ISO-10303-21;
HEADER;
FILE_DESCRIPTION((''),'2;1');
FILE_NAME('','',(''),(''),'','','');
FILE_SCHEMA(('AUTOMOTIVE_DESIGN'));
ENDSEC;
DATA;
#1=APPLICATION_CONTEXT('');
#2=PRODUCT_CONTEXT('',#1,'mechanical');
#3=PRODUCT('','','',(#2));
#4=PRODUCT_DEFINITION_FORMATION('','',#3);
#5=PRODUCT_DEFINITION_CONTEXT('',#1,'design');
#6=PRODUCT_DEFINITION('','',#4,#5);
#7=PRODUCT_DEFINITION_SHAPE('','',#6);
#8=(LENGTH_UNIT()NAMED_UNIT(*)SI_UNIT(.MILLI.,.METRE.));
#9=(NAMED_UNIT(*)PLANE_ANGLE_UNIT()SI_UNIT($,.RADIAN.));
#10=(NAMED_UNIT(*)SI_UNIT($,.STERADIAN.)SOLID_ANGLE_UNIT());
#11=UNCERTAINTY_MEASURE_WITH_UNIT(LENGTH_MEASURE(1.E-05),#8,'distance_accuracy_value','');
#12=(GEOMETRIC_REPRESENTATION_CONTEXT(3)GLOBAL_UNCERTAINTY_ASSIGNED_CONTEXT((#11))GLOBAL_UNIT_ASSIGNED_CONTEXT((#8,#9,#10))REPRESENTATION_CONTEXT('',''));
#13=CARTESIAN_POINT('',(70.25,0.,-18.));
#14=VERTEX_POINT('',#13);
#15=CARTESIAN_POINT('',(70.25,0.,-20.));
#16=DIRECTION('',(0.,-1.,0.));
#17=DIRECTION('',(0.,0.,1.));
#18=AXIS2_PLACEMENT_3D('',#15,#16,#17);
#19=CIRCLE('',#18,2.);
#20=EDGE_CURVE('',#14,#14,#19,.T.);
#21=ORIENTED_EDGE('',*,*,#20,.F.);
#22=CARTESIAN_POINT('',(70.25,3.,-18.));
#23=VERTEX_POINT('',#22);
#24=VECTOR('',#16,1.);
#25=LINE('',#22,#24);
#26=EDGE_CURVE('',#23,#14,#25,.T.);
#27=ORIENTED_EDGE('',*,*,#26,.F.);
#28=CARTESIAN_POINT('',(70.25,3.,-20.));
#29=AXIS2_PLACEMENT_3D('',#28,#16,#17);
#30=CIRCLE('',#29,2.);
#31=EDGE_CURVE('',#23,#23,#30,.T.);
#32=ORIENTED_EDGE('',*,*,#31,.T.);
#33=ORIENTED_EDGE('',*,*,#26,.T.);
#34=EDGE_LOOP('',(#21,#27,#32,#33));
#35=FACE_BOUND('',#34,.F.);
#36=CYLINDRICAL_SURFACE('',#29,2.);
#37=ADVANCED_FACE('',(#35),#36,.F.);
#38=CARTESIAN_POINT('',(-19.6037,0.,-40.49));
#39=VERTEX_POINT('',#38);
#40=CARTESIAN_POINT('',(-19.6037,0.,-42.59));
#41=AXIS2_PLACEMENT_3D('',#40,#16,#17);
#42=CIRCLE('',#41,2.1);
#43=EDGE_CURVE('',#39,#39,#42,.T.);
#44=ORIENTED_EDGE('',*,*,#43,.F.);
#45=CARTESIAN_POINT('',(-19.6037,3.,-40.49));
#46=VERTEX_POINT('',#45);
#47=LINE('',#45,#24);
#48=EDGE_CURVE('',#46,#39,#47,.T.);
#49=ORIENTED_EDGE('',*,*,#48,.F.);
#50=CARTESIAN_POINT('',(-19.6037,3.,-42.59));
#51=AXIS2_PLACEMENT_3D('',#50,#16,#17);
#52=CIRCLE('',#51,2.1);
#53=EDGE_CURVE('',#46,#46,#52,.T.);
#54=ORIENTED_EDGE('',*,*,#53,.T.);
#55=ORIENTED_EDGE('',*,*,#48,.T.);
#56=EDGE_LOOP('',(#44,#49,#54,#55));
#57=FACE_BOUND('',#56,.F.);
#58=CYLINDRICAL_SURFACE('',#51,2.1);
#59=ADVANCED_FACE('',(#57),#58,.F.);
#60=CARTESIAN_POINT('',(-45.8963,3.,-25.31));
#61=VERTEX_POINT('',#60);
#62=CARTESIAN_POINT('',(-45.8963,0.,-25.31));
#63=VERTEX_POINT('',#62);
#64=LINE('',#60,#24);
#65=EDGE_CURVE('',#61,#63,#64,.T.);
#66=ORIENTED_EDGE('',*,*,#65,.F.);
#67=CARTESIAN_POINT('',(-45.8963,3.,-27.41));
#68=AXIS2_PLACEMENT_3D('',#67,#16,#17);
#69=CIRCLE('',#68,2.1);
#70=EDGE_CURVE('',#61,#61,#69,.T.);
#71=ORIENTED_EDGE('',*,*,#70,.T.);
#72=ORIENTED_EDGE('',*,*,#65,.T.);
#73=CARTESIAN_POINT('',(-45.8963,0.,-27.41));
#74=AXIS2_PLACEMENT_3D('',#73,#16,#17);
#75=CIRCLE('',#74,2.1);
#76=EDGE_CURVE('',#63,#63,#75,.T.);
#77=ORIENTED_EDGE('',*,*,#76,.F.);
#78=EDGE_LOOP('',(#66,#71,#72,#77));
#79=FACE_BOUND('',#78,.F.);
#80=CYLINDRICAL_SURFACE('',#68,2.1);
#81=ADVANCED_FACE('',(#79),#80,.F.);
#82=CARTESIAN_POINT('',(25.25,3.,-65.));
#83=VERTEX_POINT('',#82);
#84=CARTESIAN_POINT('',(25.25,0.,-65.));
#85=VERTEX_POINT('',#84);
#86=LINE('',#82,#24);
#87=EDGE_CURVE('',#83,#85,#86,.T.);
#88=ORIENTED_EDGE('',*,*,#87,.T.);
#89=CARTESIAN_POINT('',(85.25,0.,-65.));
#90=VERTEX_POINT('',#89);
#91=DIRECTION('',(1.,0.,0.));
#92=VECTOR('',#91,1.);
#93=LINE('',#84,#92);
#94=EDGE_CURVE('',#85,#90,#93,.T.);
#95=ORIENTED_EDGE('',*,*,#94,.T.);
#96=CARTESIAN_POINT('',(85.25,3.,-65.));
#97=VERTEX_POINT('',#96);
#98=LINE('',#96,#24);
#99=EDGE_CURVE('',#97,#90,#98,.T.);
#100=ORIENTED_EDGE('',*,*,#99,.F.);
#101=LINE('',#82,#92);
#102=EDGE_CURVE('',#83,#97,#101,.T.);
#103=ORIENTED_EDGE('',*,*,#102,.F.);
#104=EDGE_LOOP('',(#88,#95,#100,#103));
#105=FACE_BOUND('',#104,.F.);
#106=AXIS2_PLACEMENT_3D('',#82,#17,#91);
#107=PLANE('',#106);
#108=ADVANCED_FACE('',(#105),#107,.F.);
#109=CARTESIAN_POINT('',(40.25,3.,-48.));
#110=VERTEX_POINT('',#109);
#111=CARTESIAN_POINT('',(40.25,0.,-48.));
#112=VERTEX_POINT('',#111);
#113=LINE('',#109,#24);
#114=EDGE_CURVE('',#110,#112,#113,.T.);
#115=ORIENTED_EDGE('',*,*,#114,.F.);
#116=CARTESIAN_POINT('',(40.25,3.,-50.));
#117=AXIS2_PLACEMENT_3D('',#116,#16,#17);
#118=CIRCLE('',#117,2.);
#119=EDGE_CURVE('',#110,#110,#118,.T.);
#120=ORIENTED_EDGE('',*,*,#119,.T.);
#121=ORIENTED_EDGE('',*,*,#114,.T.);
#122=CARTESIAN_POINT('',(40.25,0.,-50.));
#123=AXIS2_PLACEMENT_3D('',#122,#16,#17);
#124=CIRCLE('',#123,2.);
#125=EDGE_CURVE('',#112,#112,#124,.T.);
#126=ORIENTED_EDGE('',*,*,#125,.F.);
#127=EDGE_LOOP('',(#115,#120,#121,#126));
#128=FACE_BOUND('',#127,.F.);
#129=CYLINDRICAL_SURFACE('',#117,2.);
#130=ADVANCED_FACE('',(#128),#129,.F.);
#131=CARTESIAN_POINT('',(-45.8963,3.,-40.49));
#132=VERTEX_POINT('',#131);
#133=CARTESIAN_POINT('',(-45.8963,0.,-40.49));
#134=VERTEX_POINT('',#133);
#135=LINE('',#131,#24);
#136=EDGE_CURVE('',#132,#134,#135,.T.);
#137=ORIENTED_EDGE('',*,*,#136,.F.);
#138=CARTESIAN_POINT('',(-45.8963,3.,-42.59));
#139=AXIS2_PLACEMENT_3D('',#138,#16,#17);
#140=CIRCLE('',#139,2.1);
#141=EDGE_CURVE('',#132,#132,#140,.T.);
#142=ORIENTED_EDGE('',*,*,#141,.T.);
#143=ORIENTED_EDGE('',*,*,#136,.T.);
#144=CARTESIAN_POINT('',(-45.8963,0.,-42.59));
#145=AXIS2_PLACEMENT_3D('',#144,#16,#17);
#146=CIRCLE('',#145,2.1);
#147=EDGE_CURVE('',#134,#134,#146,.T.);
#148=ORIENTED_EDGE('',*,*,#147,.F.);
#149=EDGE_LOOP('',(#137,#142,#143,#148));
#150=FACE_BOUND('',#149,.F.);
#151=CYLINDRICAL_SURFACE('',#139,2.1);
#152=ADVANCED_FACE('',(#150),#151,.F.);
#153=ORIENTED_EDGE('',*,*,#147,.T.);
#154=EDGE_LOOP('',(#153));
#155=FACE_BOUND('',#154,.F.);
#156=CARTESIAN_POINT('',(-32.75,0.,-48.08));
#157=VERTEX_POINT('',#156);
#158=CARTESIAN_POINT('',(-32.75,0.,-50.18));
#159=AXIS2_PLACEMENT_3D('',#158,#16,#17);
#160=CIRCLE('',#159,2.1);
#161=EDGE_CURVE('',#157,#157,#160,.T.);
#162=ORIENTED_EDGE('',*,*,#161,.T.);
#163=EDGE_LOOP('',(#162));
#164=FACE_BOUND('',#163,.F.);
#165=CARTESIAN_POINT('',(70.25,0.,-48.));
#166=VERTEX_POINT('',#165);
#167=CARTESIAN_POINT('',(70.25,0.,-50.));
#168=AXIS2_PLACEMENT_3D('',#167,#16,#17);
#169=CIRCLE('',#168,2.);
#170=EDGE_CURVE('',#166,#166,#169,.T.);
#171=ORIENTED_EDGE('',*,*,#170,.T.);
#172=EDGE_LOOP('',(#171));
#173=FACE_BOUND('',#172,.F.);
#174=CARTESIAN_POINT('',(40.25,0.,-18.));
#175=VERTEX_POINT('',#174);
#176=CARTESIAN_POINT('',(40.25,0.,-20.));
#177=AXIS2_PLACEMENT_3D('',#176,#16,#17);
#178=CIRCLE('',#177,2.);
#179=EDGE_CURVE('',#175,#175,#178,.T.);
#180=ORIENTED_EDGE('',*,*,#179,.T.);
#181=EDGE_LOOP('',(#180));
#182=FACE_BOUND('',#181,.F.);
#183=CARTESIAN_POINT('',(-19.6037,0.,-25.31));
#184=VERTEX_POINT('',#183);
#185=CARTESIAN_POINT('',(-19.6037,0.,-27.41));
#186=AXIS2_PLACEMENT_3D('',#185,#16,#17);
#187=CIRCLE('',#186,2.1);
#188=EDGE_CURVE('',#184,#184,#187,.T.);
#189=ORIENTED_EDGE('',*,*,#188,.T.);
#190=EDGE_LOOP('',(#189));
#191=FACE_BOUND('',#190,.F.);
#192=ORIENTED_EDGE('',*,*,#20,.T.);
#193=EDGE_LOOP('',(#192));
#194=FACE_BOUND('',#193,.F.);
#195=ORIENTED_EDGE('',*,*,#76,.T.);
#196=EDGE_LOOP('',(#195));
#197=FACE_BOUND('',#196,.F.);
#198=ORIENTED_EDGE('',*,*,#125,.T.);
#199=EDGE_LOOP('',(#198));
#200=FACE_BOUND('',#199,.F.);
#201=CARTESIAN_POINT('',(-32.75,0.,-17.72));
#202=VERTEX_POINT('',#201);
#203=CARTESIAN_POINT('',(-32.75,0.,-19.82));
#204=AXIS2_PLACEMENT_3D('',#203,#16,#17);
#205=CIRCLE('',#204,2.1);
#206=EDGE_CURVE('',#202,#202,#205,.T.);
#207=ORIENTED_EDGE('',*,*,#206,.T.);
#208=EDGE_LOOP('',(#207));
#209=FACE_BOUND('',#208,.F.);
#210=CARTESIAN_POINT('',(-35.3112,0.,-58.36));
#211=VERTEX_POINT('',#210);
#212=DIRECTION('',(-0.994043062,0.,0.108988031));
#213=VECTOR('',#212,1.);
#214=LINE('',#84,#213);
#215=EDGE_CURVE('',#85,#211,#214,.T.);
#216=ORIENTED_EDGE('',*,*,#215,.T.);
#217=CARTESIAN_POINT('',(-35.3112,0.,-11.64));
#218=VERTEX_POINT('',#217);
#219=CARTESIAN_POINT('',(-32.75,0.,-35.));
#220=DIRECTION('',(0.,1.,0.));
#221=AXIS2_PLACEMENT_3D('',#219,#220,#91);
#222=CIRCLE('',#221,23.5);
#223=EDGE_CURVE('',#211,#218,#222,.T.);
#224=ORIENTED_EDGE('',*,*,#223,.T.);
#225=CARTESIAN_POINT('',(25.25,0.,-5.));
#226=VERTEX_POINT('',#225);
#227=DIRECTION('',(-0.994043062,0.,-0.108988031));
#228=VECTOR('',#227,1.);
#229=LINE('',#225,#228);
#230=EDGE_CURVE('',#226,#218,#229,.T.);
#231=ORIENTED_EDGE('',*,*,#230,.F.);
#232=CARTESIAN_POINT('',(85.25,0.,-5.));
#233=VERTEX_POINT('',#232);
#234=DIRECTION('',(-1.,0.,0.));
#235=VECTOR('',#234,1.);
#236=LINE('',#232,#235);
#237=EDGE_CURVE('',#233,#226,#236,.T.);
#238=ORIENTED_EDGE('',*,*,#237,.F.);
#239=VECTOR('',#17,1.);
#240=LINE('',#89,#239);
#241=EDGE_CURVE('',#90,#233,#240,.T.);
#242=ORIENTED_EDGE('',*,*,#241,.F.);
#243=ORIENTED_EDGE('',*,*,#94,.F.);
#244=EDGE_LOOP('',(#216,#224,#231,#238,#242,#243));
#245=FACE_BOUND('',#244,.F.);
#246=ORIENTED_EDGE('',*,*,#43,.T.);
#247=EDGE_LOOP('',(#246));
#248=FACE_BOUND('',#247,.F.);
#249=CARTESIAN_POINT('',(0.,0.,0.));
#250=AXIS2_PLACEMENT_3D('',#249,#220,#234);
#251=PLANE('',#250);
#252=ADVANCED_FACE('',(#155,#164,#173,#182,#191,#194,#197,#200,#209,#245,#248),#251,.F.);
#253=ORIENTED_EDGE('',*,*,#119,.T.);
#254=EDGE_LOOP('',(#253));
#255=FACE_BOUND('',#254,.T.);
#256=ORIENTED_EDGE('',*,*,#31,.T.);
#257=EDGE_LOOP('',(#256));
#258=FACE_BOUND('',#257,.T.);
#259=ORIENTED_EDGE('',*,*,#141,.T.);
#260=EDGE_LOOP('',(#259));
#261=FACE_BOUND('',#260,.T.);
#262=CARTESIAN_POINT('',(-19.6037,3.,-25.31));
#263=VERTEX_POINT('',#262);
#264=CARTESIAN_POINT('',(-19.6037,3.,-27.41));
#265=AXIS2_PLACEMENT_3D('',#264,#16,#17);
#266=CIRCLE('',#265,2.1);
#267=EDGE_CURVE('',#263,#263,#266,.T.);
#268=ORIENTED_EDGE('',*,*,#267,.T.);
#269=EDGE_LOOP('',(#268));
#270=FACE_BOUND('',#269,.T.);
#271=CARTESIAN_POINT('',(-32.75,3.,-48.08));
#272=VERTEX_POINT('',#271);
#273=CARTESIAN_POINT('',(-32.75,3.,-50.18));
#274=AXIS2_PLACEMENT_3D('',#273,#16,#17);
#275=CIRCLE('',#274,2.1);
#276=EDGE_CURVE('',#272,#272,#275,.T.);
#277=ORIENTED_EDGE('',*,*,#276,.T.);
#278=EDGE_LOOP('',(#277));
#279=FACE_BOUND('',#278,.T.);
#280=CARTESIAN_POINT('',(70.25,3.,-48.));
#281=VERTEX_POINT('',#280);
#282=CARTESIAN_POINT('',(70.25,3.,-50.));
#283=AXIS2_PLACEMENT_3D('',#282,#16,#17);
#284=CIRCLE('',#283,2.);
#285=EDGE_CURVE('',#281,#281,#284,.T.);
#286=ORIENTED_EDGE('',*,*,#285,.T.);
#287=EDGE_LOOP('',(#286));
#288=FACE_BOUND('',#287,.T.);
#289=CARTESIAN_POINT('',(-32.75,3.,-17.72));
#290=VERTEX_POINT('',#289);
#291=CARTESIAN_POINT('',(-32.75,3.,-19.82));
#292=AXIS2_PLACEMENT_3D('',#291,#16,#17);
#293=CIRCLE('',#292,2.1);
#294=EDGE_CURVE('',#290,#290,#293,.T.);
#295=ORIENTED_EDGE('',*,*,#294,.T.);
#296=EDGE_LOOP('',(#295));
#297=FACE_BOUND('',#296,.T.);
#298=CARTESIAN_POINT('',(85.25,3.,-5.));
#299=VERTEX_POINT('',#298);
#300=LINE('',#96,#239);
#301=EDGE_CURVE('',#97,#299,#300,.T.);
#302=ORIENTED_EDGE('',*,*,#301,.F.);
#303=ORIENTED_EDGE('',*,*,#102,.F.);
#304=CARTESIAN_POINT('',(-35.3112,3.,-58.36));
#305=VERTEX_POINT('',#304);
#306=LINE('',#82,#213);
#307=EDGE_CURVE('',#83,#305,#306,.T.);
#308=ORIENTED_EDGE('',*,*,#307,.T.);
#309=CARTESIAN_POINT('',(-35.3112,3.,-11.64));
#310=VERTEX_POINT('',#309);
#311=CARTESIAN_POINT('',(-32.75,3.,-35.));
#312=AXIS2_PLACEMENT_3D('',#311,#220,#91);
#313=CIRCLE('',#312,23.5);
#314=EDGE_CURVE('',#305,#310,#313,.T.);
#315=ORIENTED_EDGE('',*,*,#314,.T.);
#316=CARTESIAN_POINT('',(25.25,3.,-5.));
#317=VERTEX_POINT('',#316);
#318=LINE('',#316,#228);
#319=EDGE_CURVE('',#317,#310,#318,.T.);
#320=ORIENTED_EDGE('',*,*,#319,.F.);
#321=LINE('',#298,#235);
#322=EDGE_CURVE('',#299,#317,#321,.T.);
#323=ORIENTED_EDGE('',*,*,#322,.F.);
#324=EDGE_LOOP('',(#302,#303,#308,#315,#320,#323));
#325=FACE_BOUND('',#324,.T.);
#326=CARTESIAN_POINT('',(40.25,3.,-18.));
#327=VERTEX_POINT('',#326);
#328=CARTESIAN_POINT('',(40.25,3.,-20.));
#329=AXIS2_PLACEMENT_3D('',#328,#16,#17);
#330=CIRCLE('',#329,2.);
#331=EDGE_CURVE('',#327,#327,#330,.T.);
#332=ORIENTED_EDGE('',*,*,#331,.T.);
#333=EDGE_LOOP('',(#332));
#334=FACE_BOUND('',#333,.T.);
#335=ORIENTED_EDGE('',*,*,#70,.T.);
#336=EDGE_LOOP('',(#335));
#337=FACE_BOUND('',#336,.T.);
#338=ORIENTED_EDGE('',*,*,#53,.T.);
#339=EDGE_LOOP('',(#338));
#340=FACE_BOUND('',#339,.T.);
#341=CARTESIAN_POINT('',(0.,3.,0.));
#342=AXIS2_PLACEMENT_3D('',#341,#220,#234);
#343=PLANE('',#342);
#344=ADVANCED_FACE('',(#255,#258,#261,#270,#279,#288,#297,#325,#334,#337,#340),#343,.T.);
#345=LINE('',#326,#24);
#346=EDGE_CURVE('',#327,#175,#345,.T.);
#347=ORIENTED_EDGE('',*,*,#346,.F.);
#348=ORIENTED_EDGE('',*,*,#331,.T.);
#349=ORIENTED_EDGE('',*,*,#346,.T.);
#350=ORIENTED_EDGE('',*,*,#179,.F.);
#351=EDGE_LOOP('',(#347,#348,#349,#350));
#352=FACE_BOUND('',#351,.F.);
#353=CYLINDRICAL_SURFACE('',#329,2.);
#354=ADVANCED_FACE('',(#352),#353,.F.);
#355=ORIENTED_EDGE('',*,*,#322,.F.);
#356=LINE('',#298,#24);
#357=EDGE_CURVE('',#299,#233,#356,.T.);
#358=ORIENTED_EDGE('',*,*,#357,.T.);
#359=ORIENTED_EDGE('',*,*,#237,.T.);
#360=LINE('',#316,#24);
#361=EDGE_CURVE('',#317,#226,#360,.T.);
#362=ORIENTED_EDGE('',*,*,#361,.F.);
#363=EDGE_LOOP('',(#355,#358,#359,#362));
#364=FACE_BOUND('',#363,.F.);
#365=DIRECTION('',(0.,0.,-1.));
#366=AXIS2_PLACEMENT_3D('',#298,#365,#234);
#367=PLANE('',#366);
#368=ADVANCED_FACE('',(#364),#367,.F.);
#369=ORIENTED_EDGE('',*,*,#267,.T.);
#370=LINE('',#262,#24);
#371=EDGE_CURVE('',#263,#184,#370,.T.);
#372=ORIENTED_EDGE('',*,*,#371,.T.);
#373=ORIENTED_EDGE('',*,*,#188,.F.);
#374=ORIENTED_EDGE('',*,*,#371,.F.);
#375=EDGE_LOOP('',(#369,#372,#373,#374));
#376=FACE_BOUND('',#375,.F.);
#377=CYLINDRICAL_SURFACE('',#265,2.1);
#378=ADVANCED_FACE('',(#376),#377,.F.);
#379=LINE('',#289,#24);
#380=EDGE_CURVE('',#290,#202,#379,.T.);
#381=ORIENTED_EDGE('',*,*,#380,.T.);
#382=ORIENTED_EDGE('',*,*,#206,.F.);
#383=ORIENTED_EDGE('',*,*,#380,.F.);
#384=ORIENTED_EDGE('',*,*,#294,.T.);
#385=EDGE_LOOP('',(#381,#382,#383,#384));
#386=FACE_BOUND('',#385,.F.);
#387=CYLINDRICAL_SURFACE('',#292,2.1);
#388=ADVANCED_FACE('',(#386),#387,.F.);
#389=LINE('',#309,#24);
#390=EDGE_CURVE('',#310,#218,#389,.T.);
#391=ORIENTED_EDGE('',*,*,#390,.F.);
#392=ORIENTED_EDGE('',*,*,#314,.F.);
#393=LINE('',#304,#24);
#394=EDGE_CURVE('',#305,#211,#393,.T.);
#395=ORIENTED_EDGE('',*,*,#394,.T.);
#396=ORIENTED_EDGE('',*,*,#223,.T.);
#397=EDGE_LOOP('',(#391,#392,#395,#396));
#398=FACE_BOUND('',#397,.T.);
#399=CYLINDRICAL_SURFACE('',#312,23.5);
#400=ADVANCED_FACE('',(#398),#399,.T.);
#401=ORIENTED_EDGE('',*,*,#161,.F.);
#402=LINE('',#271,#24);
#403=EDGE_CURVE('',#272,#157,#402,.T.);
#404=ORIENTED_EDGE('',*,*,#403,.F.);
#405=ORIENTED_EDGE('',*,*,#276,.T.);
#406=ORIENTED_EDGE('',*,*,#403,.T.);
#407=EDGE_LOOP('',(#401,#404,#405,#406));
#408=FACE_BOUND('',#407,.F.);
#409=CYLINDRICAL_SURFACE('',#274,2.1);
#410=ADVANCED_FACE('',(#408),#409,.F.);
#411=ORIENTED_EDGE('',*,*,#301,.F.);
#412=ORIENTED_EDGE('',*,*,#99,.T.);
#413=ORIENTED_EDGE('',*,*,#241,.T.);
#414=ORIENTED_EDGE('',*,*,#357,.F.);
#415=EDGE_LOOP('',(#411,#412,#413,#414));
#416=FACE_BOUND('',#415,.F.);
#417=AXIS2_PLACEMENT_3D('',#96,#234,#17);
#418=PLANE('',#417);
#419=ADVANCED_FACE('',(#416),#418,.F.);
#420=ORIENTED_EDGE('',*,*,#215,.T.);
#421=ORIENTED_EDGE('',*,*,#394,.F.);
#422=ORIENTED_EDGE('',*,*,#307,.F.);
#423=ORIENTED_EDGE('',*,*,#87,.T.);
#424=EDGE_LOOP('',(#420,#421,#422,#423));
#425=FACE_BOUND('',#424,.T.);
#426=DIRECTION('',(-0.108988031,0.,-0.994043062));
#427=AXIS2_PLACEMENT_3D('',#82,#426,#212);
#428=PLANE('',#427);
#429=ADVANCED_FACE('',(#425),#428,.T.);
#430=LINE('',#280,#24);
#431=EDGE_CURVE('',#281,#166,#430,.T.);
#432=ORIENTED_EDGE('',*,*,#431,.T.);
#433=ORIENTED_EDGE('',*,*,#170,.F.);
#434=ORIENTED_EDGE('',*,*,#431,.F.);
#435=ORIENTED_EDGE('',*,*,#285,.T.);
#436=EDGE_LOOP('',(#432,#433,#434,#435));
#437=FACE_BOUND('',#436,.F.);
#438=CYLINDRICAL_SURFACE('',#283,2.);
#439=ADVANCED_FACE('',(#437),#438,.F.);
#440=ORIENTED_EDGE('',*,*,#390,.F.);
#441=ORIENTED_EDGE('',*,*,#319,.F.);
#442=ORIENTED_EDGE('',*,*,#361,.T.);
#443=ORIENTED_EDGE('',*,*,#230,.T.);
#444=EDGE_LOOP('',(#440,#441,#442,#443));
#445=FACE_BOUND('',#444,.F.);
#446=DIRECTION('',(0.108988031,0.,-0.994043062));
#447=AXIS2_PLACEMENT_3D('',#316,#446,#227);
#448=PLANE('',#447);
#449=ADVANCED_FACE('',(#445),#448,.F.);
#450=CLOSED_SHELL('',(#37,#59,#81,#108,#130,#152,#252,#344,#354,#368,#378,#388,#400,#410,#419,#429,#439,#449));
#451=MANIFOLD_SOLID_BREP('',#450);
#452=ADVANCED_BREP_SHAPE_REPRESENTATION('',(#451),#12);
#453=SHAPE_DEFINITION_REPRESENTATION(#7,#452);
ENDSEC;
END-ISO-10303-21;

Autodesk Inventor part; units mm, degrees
ref_plane "YZ Plane" through (0, 0, 0) normal (1, 0, 0) x (0, 1, 0)
ref_plane "XZ Plane" through (0, 0, 0) normal (0, 1, 0) x (-1, 0, 0)
ref_plane "XY Plane" through (0, 0, 0) normal (0, 0, 1) x (1, 0, 0)
sketch "スケッチ1" plane through (0, 0, 0) normal (0, 1, 0) x (-1, 0, 0)
  line L0 (0, 0) -> (65.5, 0)
  line L1 (65.5, 0) -> (65.5, -70)
  line L2 (65.5, -70) -> (0, -70)
  line L3 (0, -70) -> (0, 0)
  dimension "d0" = 65.5
  dimension "d1" = 70
extrude "押し出し1" add sketch "スケッチ1" along normal blind 3
sketch "スケッチ3" plane through (0, 3, 0) normal (0, 1, 0) x (1, 0, 0)
  line L0 (-65.5, 0) -> (0, 0) projected
  line L1 (-32.75, 0) -> (-32.75, 70)
  line L2 (0, 70) -> (-65.5, 70) projected
  circle A0 centre (-32.75, 35) radius 15.18
  point P0 (-32.75, 50.18)
  point P1 (-45.8963, 42.59)
  point P2 (-45.8963, 27.41)
  point P3 (-32.75, 19.82)
  point P4 (-19.6037, 27.41)
  point P5 (-19.6037, 42.59)
  dimension "d15" = 30.36
  dimension "d18" = 360
hole "穴2" at (-32.75, 3, -50.18) at (-45.8963, 3, -42.59) at (-45.8963, 3, -27.41) at (-32.75, 3, -19.82) at (-19.6037, 3, -27.41) at (-19.6037, 3, -42.59) direction (0, -1, 0) diameter 4.2 end through all
sketch "スケッチ4" plane through (0, 3, 0) normal (0, 1, 0) x (1, 0, 0)
  line L0 (-65.5, 70) -> (-65.5, 0) projected
  line L1 (0, 70) -> (-65.5, 70) projected
  circle A0 centre (-32.75, 35) radius 23.5
  line L2 (0, 0) -> (0, 70) projected
  line L3 (-65.5, 70) -> (0, 70)
  line L4 (0, 70) -> (0, 0)
  line L5 (0, 0) -> (-65.5, 0)
  line L6 (-65.5, 0) -> (-65.5, 70)
  dimension "d27" = 47
  dimension "d28" = 35
  dimension "d29" = 32.75
extrude "押し出し2" cut sketch "スケッチ4" against normal blind 3
sketch "スケッチ5" plane through (-32.75, 3, -35) normal (0, 1, 0) x (1, 0, 0)
  line L0 (58, 30) -> (118, 30)
  line L1 (118, 30) -> (118, -30)
  line L2 (118, -30) -> (58, -30)
  line L3 (58, -30) -> (58, 30)
  circle A0 centre (0, 0) radius 23.5 projected
  line L4 (58, 30) -> (-2.5612, 23.36)
  circle A1 centre (0, 0) radius 23.5
  line L5 (58, -30) -> (-2.5612, -23.36)
  point P0 (32.75, -35)
  point P1 (-2.5612, -23.36)
  dimension "d32" = 60
  dimension "d33" = 60
  dimension "d34" = 30
  dimension "d35" = 58
extrude "押し出し3" add sketch "スケッチ5" against normal blind 3 contours L0 L1 L2 L3 | L3 L5 A0 L4
sketch "スケッチ6" plane through (0, 3, 0) normal (0, 1, 0) x (1, 0, 0)
  line L0 (40.25, 50) -> (70.25, 50)
  line L1 (70.25, 50) -> (70.25, 20)
  line L2 (70.25, 20) -> (40.25, 20)
  line L3 (40.25, 20) -> (40.25, 50)
  line L4 (85.25, 65) -> (25.25, 65) projected
  point P0 (0, 0)
  dimension "d38" = 30
  dimension "d39" = 30
  dimension "d40" = 15
  dimension "d41" = 15
hole "穴3" at (70.25, 3, -50) at (40.25, 3, -50) at (40.25, 3, -20) at (70.25, 3, -20) direction (0, -1, 0) diameter 4 end through all
properties part number "link3_plate1" material "アルミニウム 6061"
